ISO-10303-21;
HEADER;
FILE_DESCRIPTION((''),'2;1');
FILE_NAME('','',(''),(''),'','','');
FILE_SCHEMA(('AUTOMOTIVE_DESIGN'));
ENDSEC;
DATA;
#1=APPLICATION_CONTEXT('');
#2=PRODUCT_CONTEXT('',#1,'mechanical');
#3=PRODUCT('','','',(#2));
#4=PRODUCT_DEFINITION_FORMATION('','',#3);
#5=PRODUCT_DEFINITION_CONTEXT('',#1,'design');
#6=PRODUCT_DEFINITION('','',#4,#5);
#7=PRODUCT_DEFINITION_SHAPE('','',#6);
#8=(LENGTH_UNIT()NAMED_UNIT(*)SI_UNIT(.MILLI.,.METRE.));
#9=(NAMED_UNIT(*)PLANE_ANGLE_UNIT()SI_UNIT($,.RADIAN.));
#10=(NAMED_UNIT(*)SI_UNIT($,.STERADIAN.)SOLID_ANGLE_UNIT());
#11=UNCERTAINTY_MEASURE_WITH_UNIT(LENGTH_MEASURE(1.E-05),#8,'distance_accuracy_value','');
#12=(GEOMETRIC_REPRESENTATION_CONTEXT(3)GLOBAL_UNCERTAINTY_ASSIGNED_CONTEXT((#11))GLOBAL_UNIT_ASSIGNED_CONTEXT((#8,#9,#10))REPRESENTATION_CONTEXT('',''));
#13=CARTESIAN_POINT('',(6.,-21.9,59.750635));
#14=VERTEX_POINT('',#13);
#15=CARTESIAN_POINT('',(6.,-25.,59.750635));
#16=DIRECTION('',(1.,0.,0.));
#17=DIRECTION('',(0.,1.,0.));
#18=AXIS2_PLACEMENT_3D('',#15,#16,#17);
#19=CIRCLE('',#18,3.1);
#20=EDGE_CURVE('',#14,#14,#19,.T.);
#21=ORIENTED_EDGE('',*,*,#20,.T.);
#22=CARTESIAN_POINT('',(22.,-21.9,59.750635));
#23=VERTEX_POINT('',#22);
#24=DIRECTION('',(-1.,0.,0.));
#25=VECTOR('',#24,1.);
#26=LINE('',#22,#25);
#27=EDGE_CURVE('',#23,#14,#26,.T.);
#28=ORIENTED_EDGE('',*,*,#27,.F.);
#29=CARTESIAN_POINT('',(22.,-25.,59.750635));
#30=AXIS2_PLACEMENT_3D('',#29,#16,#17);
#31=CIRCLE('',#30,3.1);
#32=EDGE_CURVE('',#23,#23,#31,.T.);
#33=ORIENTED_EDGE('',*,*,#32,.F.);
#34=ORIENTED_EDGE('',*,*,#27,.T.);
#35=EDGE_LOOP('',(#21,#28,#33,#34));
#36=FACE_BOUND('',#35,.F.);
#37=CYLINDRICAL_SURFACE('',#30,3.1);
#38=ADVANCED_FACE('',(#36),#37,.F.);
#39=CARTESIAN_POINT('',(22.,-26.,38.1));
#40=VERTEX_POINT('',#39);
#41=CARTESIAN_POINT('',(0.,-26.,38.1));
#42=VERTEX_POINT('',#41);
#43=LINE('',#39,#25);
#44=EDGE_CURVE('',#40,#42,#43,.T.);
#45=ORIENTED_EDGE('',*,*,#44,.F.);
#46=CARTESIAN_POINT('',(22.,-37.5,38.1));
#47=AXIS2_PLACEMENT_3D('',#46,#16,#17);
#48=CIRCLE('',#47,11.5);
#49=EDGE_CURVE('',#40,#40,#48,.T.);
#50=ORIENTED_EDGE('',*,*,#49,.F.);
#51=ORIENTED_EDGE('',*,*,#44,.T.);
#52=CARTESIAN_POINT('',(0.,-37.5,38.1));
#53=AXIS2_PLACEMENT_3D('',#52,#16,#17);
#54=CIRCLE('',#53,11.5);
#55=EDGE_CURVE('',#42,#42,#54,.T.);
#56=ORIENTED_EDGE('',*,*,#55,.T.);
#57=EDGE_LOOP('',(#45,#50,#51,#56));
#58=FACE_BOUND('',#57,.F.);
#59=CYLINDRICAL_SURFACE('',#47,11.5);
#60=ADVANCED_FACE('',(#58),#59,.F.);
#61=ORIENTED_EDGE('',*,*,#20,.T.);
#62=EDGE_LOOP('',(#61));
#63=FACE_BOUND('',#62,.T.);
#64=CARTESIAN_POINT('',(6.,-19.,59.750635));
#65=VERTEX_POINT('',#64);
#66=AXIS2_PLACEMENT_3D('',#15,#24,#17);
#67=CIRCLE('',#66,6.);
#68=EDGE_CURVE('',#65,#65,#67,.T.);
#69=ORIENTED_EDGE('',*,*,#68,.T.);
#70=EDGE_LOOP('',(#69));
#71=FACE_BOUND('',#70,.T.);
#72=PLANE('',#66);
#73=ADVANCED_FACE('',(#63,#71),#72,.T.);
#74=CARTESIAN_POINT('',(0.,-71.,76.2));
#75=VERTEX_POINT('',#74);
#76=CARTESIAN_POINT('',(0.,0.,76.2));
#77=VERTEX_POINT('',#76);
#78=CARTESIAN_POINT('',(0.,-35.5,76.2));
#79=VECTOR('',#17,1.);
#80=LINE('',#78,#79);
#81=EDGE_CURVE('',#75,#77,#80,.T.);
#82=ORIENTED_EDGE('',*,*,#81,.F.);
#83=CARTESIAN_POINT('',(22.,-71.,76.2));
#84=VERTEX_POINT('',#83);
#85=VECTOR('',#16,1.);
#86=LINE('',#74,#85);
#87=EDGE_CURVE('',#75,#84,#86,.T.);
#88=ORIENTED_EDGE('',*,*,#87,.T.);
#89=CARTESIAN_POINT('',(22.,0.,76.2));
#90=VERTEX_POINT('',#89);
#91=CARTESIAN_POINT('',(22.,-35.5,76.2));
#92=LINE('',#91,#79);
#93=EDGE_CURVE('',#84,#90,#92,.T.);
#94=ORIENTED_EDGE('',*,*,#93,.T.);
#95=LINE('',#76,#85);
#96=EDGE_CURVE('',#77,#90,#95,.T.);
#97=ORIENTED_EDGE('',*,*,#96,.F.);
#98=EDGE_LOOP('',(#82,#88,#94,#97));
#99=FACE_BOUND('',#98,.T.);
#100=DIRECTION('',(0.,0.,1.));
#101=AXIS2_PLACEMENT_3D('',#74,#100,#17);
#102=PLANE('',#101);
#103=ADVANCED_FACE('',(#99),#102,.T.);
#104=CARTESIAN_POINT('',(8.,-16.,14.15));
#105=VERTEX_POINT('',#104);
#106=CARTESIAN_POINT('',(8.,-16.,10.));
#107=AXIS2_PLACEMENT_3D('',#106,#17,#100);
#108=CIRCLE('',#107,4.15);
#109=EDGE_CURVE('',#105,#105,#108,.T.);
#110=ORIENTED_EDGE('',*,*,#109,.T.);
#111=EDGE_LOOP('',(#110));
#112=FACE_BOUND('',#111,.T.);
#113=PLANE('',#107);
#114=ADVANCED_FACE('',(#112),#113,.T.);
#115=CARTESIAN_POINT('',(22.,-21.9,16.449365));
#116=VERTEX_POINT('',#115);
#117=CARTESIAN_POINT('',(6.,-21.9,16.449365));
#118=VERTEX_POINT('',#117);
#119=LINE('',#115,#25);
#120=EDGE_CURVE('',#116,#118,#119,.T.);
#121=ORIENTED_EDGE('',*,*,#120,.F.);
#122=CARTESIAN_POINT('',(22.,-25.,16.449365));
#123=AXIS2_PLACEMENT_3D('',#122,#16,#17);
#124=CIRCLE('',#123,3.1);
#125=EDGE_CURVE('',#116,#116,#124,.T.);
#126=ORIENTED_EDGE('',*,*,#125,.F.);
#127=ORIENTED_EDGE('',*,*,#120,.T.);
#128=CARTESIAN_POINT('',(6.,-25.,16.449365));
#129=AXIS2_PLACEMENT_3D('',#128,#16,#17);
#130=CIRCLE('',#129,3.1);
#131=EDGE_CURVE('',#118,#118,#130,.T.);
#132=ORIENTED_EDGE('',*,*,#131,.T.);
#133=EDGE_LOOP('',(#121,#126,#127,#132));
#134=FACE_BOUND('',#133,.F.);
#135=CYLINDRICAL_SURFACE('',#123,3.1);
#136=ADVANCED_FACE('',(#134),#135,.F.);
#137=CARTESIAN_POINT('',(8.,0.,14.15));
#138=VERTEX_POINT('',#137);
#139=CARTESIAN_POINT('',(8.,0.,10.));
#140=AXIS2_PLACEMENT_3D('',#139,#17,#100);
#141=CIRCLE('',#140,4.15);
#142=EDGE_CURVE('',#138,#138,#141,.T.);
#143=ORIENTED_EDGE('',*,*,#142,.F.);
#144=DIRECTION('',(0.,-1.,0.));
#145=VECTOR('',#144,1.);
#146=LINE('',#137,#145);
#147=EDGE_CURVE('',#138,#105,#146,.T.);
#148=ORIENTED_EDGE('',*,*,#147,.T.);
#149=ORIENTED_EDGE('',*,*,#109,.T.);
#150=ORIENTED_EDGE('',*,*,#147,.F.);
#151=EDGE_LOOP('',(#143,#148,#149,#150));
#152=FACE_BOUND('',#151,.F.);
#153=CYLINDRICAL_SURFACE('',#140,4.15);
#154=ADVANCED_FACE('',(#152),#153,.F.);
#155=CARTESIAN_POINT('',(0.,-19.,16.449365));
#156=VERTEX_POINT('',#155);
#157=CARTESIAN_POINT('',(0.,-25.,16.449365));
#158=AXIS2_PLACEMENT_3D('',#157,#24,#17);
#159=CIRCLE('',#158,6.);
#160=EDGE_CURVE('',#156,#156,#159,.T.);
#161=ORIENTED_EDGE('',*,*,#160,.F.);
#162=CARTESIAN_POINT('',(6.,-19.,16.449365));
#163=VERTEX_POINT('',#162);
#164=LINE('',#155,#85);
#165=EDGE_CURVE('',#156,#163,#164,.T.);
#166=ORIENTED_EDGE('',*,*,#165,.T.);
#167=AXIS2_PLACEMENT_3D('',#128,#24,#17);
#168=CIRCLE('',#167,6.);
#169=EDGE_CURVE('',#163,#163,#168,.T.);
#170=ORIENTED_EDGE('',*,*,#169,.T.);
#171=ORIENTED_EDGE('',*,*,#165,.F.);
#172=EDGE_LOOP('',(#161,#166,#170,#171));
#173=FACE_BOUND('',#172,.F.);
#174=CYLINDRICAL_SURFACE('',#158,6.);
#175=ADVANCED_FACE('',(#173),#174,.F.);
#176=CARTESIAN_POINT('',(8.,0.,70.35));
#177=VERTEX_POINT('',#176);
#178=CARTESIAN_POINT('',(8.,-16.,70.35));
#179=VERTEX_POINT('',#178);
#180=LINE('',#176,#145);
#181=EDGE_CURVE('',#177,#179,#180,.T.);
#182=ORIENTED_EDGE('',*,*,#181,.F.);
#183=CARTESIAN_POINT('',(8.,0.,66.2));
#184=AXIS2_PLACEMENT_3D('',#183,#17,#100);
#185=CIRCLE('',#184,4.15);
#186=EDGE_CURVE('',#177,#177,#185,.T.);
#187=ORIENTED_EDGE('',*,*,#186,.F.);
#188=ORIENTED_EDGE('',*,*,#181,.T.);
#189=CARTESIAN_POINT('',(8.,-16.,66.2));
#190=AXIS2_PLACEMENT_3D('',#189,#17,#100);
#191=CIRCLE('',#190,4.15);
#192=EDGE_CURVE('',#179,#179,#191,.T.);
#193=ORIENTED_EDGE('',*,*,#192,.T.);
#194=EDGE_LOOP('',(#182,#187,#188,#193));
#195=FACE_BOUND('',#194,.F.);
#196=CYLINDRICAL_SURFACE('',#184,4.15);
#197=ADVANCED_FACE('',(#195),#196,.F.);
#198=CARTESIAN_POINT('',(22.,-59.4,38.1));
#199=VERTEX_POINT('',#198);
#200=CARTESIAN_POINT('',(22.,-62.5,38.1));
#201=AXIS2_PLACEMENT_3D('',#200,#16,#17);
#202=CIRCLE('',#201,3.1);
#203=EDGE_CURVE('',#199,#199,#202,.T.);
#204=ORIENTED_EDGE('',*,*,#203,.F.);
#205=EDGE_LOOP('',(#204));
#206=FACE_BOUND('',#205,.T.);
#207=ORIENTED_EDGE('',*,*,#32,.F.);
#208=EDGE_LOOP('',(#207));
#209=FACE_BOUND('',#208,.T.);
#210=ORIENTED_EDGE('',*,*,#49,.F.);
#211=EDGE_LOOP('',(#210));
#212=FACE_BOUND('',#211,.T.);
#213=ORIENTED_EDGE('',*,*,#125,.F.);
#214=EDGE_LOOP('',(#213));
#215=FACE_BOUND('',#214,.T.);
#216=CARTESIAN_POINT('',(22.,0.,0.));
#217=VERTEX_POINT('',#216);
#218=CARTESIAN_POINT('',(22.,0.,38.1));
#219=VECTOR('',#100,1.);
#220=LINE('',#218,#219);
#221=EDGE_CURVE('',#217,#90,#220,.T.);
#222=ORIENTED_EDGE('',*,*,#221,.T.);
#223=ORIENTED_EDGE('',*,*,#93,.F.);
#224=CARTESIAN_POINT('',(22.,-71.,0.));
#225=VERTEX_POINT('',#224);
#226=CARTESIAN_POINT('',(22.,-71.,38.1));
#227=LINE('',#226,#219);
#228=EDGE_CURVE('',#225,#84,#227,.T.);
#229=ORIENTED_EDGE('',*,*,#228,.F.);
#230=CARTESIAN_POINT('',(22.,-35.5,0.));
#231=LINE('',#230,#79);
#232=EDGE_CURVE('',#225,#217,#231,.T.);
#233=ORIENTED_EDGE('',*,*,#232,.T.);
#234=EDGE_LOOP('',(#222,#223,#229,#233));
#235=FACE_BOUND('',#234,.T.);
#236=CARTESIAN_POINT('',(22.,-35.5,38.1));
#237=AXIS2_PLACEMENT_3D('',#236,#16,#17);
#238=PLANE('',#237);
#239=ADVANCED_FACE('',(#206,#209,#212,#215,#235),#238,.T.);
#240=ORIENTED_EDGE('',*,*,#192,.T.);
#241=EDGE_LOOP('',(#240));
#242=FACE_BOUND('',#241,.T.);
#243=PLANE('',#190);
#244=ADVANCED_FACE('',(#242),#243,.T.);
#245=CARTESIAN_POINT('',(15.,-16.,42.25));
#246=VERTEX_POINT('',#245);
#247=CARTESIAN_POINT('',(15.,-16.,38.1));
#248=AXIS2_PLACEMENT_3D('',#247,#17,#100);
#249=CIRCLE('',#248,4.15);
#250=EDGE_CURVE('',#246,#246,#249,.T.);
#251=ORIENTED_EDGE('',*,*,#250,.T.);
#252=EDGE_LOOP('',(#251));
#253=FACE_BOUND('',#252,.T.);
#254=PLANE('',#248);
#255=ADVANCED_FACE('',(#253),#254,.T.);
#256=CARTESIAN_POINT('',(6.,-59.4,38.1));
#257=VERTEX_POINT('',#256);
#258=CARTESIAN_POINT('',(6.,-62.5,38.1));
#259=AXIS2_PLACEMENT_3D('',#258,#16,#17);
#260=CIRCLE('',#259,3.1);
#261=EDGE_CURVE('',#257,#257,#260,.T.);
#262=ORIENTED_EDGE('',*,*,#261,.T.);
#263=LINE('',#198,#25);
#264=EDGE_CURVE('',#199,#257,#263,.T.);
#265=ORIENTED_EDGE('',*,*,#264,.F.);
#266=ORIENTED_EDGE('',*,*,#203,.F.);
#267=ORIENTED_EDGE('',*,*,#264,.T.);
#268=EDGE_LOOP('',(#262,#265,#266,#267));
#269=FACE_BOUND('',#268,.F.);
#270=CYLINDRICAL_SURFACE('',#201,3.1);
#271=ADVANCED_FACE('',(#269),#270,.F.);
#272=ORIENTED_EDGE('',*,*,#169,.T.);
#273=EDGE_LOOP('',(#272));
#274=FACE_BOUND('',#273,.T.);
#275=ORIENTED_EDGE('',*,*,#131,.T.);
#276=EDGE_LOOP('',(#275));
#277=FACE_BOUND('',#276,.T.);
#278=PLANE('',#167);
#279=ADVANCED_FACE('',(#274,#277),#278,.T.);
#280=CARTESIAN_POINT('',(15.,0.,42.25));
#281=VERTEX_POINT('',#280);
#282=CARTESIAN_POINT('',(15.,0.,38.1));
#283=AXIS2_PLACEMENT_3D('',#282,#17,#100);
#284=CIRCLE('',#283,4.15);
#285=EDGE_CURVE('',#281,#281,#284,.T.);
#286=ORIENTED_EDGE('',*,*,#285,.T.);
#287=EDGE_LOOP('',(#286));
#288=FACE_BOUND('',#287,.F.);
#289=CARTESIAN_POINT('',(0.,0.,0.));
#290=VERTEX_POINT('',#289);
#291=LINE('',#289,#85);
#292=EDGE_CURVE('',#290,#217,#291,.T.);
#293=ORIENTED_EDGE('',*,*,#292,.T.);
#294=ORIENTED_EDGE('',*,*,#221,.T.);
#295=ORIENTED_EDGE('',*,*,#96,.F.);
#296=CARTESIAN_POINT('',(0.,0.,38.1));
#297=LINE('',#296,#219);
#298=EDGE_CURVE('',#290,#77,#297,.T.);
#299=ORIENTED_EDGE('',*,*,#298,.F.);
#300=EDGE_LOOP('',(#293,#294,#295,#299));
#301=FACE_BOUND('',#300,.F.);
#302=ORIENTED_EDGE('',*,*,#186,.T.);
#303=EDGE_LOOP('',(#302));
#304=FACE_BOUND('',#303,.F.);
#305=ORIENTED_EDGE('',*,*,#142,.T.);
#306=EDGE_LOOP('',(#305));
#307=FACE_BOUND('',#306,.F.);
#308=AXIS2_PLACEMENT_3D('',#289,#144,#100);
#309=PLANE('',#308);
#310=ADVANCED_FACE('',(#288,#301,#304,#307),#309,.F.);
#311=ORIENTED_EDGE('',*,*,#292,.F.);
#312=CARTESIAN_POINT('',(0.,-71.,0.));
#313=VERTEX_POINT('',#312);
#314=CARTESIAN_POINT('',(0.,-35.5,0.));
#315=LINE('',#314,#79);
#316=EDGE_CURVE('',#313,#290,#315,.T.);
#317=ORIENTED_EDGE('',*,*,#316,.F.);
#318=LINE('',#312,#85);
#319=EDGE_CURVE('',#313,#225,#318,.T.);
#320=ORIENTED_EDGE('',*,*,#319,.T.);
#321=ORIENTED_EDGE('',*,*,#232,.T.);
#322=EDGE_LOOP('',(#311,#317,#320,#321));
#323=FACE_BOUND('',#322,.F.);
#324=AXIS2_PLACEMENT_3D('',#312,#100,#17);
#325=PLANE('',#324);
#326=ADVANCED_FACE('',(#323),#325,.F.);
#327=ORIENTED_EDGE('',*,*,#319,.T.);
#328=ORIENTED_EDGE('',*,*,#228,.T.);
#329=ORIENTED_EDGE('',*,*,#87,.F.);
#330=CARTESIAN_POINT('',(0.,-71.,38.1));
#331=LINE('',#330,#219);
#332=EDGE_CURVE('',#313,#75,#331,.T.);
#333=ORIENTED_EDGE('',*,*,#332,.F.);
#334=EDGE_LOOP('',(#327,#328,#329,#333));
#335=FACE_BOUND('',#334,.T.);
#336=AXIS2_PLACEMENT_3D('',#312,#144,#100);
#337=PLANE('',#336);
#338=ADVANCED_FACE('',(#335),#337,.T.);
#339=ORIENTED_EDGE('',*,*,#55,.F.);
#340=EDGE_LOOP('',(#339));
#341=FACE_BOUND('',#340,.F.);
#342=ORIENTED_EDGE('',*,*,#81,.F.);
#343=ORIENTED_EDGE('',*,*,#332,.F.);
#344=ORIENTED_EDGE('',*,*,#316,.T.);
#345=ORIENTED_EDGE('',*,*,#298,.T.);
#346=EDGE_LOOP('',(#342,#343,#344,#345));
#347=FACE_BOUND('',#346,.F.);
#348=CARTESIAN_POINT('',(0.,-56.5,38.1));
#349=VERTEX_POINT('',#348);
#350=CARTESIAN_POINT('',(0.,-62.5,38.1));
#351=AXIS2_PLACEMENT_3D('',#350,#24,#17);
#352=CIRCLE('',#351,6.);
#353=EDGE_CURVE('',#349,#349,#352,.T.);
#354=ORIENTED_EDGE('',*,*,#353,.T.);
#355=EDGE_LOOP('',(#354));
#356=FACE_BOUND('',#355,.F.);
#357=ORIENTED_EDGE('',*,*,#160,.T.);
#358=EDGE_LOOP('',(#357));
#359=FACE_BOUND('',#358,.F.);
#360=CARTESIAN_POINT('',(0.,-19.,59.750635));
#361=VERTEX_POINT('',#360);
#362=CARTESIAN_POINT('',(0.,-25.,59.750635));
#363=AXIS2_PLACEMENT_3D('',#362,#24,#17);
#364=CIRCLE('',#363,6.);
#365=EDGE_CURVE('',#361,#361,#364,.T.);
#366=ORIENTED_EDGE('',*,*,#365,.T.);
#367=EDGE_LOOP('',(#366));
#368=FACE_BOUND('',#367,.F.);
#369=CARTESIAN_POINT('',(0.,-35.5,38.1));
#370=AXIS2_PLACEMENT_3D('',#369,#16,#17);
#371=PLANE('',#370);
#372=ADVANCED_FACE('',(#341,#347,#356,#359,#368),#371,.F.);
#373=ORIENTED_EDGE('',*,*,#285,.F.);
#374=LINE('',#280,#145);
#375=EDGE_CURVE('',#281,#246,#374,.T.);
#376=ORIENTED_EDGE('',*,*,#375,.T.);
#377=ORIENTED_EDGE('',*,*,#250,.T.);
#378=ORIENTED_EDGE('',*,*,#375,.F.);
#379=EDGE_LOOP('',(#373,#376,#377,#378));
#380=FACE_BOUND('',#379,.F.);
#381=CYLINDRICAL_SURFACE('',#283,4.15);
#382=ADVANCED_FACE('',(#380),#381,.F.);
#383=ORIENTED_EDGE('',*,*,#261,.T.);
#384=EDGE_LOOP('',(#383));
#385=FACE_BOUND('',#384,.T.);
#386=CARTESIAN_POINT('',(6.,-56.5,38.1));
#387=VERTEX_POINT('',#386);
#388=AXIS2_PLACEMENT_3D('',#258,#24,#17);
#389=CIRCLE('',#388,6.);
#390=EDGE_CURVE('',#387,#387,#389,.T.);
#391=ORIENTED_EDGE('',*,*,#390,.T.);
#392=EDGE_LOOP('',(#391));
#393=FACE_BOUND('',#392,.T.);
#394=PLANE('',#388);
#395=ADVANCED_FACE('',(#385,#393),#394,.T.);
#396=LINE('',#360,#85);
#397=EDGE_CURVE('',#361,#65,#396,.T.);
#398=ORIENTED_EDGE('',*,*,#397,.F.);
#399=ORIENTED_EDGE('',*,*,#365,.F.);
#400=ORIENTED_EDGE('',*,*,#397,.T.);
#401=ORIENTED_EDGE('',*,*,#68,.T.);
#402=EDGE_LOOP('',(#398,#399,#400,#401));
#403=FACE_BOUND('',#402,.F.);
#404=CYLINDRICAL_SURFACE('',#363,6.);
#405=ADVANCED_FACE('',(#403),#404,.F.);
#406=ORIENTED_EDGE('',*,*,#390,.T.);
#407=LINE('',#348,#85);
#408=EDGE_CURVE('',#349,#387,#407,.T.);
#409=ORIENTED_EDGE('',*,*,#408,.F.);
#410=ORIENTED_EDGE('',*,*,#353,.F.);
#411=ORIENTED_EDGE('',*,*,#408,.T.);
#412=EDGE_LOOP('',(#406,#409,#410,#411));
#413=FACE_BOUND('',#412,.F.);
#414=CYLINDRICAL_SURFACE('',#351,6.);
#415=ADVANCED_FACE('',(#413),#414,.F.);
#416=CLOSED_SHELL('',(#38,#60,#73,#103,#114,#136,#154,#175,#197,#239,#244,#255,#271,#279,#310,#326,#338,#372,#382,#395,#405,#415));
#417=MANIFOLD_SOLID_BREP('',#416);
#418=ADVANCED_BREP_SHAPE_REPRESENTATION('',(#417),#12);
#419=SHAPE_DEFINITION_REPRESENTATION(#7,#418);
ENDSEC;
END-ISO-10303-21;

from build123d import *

# Parameters (mm, degrees)
SKETCH005_W     = 71
SKETCH005_H     = 76.2
PAD_DEPTH       = 22
SKETCH003_R     = 11.5
SKETCH003_R_2   = 3.1
POCKET_DEPTH    = 30
SKETCH004_R     = 4.15
POCKET001_DEPTH = 16
SKETCH_R        = 6
POCKET002_DEPTH = 6


with BuildPart() as part:
    # Sketch005 → Pad (new body)
    with BuildSketch(Plane.YZ):
        with Locations((-35.5, 38.1)):
            Rectangle(SKETCH005_W, SKETCH005_H)
    extrude(amount=PAD_DEPTH)

    # Sketch003 → Pocket (cut)
    with BuildSketch(Plane.YZ.offset(22)):
        with Locations((-37.5, 38.1)):
            Circle(SKETCH003_R)
        with Locations((-25, 16.449365)):
            Circle(SKETCH003_R_2)
        with Locations((-25, 59.750635)):
            Circle(SKETCH003_R_2)
        with Locations((-62.5, 38.1)):
            Circle(SKETCH003_R_2)
    extrude(amount=-POCKET_DEPTH, mode=Mode.SUBTRACT)

    # Sketch004 → Pocket001 (cut)
    with BuildSketch(Plane.ZX):
        with Locations((10, 8)):
            Circle(SKETCH004_R)
        with Locations((66.2, 8)):
            Circle(SKETCH004_R)
        with Locations((38.1, 15)):
            Circle(SKETCH004_R)
    extrude(amount=-POCKET001_DEPTH, mode=Mode.SUBTRACT)

    # Sketch → Pocket002 (cut)
    with BuildSketch(Plane(origin=(0, 0, 0), x_dir=(0, 1, 0), z_dir=(-1, 0, 0))):
        with Locations((-25, -59.750635)):
            Circle(SKETCH_R)
        with Locations((-25, -16.449365)):
            Circle(SKETCH_R)
        with Locations((-62.5, -38.1)):
            Circle(SKETCH_R)
    extrude(amount=-POCKET002_DEPTH, mode=Mode.SUBTRACT)


solid = part.part
